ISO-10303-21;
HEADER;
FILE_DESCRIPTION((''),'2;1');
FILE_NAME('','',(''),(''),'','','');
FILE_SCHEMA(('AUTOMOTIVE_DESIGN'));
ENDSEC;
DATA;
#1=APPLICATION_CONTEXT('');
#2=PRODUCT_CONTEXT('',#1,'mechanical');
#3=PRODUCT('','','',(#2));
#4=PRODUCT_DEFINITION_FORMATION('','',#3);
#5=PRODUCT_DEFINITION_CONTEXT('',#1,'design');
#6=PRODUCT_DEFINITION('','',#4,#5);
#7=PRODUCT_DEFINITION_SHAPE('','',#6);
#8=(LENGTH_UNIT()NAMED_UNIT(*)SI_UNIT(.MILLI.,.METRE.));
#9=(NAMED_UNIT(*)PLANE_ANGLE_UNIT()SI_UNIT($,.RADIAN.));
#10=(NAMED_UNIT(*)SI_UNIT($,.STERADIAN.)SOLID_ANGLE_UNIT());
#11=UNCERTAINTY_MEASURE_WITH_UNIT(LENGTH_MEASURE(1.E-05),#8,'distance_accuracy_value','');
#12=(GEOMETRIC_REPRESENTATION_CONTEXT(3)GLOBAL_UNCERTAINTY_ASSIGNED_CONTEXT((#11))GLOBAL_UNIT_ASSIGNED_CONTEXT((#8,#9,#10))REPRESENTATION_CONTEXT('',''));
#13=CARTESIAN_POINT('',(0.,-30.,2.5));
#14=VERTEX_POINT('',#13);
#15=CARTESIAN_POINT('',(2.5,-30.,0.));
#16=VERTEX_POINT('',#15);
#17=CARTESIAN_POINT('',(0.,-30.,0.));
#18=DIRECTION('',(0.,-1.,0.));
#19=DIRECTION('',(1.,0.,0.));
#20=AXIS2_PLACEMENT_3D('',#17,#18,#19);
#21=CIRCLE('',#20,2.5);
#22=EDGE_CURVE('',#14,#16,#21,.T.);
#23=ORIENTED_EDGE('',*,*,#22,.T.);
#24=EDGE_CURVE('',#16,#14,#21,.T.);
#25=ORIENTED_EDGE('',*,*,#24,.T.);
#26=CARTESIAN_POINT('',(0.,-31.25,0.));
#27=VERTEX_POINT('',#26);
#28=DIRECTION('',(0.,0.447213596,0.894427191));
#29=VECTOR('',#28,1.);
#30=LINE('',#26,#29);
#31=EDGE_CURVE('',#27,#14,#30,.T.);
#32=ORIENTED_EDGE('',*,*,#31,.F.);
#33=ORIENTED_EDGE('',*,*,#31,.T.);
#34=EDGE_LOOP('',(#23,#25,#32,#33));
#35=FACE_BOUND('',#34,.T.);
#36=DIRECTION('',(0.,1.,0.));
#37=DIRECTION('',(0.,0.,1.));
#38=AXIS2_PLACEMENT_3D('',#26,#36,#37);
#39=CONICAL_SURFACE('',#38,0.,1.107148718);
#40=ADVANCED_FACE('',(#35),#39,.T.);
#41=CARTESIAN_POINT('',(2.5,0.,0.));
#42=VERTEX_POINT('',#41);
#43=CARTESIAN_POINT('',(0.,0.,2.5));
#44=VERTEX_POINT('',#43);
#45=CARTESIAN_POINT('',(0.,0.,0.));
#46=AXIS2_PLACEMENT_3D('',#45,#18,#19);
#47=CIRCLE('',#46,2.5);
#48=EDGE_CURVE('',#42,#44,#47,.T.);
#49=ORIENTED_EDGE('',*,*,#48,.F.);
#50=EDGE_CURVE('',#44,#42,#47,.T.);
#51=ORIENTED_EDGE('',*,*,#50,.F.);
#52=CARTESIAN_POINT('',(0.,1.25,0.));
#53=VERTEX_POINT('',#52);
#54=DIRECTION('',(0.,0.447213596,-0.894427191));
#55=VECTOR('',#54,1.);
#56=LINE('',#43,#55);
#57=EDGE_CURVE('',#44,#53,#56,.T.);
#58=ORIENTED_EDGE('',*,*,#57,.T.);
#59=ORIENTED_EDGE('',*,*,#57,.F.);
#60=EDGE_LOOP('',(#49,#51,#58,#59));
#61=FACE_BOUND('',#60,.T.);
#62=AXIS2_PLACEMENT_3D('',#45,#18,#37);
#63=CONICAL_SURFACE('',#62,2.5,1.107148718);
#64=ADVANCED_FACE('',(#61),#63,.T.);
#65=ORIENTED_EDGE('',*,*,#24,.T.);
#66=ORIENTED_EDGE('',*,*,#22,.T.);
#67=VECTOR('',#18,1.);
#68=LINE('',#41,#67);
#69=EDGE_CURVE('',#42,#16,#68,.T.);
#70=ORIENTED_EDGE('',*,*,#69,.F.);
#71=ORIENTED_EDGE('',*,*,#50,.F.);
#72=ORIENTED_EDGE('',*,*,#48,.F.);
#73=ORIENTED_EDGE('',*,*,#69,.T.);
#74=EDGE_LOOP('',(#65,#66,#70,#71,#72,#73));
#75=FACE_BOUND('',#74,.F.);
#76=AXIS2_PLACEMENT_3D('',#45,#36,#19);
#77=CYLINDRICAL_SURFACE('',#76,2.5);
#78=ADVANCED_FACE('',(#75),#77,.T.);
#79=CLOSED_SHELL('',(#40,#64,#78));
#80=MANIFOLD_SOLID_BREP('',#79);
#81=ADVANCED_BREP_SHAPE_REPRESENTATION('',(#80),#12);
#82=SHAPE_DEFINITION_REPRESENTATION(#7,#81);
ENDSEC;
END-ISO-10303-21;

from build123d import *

# Parameters (mm, degrees)
F0_R     = 2.5
F1_DEPTH = 30


with BuildPart() as f1:
    # F0 (on Front) → F1 (new body)
    with BuildSketch(Plane.XZ):
        Circle(F0_R)
    extrude(amount=F1_DEPTH)

    # F5 (on 3pt) → F6 (revolve)
    with BuildSketch(Plane(origin=(0, 0, 0), x_dir=(0, -1, 0), z_dir=(-1, 0, 0))):
        Polygon((30, 2.5), (30, 0), (31.25, 0), align=None)
        Polygon((-1.25, 0), (0, 0), (0, 2.5), align=None)
    revolve(axis=Axis((0, -14.9693759158, 0), (0, 1, 0)))


solid = f1.part
